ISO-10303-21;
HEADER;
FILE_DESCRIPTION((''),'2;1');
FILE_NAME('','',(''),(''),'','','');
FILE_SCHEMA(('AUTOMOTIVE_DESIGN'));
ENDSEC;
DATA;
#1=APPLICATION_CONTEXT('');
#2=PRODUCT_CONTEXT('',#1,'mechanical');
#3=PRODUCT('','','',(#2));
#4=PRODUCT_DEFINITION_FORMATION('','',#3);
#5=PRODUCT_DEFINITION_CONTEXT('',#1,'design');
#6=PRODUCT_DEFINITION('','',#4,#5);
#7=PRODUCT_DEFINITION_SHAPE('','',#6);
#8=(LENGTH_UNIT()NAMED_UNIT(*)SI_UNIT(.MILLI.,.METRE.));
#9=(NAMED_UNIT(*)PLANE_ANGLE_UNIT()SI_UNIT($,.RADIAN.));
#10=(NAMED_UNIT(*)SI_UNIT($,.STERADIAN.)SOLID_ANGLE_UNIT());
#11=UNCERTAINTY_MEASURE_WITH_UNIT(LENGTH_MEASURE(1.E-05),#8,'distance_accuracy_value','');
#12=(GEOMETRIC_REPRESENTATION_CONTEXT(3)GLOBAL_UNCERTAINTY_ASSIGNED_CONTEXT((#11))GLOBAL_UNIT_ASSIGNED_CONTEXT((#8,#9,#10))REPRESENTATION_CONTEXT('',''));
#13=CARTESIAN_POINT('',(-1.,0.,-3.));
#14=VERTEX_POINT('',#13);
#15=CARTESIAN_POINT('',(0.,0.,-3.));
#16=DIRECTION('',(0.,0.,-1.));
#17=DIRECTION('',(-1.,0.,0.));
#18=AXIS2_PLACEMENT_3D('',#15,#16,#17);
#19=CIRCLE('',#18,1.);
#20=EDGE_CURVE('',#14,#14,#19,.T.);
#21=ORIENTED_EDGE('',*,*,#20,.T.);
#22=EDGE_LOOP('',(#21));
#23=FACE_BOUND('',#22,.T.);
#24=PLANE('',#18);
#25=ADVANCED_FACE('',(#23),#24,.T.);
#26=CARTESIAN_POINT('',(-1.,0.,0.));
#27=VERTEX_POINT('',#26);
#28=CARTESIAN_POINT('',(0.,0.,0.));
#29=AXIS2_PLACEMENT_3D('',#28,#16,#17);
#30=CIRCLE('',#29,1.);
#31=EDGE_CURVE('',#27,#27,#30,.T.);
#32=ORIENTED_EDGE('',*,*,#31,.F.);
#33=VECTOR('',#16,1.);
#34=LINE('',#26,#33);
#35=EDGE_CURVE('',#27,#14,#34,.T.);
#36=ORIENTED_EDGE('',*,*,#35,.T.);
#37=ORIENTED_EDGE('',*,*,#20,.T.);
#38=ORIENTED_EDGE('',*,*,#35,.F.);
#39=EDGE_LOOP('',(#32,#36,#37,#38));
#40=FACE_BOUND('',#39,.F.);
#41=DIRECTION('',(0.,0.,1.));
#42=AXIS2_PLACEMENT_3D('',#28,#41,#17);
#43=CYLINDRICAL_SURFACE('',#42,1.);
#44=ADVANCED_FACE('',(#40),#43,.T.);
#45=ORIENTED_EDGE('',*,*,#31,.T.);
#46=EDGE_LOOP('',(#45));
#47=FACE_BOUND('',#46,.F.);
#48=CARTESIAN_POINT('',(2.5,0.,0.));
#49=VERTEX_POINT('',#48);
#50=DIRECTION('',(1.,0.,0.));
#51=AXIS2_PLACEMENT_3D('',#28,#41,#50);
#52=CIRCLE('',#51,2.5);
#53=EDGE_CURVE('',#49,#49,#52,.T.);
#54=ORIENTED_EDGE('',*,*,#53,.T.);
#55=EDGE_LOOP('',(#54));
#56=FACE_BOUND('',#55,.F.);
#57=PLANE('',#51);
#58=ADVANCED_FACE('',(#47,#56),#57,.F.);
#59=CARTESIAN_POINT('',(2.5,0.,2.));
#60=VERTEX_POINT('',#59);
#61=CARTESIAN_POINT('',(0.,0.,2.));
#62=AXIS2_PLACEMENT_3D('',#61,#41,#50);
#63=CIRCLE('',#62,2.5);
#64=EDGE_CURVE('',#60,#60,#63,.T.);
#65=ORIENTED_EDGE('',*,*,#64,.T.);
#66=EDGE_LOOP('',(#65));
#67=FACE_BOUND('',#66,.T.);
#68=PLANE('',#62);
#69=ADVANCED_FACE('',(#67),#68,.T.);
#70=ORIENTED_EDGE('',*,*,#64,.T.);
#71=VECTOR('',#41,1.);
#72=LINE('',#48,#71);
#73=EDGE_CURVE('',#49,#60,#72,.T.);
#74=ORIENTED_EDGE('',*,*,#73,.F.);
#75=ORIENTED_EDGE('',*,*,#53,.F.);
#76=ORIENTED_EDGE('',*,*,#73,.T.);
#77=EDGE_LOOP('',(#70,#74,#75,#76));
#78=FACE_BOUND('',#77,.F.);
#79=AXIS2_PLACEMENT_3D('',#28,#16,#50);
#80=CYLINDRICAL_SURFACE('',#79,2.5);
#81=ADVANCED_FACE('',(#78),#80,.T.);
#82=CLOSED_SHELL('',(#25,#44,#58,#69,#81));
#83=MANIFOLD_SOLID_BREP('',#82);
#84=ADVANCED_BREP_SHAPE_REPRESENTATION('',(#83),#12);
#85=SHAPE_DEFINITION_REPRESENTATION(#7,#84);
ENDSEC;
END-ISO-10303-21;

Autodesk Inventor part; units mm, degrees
ref_plane "YZ Plane" through (0, 0, 0) normal (1, 0, 0) x (0, 1, 0)
ref_plane "XZ Plane" through (0, 0, 0) normal (0, 1, 0) x (-1, 0, 0)
ref_plane "XY Plane" through (0, 0, 0) normal (0, 0, 1) x (1, 0, 0)
sketch "Sketch1" plane through (0, 0, 0) normal (0, 0, 1) x (1, 0, 0)
  circle A0 centre (0, 0) radius 2.5
  dimension "d0" = 5
extrude "Extrusion1" add sketch "Sketch1" along normal blind 2
sketch "Sketch2" plane through (0, 0, 0) normal (0, 0, -1) x (-1, 0, 0)
  circle A0 centre (0, 0) radius 1
  dimension "d3" = 2
extrude "Extrusion2" add sketch "Sketch2" along normal blind 3
thread "Thread1" size "M2x0.4" class "6g" standard "ANSI Metric M Profile" full length
properties part number "m2.5"
